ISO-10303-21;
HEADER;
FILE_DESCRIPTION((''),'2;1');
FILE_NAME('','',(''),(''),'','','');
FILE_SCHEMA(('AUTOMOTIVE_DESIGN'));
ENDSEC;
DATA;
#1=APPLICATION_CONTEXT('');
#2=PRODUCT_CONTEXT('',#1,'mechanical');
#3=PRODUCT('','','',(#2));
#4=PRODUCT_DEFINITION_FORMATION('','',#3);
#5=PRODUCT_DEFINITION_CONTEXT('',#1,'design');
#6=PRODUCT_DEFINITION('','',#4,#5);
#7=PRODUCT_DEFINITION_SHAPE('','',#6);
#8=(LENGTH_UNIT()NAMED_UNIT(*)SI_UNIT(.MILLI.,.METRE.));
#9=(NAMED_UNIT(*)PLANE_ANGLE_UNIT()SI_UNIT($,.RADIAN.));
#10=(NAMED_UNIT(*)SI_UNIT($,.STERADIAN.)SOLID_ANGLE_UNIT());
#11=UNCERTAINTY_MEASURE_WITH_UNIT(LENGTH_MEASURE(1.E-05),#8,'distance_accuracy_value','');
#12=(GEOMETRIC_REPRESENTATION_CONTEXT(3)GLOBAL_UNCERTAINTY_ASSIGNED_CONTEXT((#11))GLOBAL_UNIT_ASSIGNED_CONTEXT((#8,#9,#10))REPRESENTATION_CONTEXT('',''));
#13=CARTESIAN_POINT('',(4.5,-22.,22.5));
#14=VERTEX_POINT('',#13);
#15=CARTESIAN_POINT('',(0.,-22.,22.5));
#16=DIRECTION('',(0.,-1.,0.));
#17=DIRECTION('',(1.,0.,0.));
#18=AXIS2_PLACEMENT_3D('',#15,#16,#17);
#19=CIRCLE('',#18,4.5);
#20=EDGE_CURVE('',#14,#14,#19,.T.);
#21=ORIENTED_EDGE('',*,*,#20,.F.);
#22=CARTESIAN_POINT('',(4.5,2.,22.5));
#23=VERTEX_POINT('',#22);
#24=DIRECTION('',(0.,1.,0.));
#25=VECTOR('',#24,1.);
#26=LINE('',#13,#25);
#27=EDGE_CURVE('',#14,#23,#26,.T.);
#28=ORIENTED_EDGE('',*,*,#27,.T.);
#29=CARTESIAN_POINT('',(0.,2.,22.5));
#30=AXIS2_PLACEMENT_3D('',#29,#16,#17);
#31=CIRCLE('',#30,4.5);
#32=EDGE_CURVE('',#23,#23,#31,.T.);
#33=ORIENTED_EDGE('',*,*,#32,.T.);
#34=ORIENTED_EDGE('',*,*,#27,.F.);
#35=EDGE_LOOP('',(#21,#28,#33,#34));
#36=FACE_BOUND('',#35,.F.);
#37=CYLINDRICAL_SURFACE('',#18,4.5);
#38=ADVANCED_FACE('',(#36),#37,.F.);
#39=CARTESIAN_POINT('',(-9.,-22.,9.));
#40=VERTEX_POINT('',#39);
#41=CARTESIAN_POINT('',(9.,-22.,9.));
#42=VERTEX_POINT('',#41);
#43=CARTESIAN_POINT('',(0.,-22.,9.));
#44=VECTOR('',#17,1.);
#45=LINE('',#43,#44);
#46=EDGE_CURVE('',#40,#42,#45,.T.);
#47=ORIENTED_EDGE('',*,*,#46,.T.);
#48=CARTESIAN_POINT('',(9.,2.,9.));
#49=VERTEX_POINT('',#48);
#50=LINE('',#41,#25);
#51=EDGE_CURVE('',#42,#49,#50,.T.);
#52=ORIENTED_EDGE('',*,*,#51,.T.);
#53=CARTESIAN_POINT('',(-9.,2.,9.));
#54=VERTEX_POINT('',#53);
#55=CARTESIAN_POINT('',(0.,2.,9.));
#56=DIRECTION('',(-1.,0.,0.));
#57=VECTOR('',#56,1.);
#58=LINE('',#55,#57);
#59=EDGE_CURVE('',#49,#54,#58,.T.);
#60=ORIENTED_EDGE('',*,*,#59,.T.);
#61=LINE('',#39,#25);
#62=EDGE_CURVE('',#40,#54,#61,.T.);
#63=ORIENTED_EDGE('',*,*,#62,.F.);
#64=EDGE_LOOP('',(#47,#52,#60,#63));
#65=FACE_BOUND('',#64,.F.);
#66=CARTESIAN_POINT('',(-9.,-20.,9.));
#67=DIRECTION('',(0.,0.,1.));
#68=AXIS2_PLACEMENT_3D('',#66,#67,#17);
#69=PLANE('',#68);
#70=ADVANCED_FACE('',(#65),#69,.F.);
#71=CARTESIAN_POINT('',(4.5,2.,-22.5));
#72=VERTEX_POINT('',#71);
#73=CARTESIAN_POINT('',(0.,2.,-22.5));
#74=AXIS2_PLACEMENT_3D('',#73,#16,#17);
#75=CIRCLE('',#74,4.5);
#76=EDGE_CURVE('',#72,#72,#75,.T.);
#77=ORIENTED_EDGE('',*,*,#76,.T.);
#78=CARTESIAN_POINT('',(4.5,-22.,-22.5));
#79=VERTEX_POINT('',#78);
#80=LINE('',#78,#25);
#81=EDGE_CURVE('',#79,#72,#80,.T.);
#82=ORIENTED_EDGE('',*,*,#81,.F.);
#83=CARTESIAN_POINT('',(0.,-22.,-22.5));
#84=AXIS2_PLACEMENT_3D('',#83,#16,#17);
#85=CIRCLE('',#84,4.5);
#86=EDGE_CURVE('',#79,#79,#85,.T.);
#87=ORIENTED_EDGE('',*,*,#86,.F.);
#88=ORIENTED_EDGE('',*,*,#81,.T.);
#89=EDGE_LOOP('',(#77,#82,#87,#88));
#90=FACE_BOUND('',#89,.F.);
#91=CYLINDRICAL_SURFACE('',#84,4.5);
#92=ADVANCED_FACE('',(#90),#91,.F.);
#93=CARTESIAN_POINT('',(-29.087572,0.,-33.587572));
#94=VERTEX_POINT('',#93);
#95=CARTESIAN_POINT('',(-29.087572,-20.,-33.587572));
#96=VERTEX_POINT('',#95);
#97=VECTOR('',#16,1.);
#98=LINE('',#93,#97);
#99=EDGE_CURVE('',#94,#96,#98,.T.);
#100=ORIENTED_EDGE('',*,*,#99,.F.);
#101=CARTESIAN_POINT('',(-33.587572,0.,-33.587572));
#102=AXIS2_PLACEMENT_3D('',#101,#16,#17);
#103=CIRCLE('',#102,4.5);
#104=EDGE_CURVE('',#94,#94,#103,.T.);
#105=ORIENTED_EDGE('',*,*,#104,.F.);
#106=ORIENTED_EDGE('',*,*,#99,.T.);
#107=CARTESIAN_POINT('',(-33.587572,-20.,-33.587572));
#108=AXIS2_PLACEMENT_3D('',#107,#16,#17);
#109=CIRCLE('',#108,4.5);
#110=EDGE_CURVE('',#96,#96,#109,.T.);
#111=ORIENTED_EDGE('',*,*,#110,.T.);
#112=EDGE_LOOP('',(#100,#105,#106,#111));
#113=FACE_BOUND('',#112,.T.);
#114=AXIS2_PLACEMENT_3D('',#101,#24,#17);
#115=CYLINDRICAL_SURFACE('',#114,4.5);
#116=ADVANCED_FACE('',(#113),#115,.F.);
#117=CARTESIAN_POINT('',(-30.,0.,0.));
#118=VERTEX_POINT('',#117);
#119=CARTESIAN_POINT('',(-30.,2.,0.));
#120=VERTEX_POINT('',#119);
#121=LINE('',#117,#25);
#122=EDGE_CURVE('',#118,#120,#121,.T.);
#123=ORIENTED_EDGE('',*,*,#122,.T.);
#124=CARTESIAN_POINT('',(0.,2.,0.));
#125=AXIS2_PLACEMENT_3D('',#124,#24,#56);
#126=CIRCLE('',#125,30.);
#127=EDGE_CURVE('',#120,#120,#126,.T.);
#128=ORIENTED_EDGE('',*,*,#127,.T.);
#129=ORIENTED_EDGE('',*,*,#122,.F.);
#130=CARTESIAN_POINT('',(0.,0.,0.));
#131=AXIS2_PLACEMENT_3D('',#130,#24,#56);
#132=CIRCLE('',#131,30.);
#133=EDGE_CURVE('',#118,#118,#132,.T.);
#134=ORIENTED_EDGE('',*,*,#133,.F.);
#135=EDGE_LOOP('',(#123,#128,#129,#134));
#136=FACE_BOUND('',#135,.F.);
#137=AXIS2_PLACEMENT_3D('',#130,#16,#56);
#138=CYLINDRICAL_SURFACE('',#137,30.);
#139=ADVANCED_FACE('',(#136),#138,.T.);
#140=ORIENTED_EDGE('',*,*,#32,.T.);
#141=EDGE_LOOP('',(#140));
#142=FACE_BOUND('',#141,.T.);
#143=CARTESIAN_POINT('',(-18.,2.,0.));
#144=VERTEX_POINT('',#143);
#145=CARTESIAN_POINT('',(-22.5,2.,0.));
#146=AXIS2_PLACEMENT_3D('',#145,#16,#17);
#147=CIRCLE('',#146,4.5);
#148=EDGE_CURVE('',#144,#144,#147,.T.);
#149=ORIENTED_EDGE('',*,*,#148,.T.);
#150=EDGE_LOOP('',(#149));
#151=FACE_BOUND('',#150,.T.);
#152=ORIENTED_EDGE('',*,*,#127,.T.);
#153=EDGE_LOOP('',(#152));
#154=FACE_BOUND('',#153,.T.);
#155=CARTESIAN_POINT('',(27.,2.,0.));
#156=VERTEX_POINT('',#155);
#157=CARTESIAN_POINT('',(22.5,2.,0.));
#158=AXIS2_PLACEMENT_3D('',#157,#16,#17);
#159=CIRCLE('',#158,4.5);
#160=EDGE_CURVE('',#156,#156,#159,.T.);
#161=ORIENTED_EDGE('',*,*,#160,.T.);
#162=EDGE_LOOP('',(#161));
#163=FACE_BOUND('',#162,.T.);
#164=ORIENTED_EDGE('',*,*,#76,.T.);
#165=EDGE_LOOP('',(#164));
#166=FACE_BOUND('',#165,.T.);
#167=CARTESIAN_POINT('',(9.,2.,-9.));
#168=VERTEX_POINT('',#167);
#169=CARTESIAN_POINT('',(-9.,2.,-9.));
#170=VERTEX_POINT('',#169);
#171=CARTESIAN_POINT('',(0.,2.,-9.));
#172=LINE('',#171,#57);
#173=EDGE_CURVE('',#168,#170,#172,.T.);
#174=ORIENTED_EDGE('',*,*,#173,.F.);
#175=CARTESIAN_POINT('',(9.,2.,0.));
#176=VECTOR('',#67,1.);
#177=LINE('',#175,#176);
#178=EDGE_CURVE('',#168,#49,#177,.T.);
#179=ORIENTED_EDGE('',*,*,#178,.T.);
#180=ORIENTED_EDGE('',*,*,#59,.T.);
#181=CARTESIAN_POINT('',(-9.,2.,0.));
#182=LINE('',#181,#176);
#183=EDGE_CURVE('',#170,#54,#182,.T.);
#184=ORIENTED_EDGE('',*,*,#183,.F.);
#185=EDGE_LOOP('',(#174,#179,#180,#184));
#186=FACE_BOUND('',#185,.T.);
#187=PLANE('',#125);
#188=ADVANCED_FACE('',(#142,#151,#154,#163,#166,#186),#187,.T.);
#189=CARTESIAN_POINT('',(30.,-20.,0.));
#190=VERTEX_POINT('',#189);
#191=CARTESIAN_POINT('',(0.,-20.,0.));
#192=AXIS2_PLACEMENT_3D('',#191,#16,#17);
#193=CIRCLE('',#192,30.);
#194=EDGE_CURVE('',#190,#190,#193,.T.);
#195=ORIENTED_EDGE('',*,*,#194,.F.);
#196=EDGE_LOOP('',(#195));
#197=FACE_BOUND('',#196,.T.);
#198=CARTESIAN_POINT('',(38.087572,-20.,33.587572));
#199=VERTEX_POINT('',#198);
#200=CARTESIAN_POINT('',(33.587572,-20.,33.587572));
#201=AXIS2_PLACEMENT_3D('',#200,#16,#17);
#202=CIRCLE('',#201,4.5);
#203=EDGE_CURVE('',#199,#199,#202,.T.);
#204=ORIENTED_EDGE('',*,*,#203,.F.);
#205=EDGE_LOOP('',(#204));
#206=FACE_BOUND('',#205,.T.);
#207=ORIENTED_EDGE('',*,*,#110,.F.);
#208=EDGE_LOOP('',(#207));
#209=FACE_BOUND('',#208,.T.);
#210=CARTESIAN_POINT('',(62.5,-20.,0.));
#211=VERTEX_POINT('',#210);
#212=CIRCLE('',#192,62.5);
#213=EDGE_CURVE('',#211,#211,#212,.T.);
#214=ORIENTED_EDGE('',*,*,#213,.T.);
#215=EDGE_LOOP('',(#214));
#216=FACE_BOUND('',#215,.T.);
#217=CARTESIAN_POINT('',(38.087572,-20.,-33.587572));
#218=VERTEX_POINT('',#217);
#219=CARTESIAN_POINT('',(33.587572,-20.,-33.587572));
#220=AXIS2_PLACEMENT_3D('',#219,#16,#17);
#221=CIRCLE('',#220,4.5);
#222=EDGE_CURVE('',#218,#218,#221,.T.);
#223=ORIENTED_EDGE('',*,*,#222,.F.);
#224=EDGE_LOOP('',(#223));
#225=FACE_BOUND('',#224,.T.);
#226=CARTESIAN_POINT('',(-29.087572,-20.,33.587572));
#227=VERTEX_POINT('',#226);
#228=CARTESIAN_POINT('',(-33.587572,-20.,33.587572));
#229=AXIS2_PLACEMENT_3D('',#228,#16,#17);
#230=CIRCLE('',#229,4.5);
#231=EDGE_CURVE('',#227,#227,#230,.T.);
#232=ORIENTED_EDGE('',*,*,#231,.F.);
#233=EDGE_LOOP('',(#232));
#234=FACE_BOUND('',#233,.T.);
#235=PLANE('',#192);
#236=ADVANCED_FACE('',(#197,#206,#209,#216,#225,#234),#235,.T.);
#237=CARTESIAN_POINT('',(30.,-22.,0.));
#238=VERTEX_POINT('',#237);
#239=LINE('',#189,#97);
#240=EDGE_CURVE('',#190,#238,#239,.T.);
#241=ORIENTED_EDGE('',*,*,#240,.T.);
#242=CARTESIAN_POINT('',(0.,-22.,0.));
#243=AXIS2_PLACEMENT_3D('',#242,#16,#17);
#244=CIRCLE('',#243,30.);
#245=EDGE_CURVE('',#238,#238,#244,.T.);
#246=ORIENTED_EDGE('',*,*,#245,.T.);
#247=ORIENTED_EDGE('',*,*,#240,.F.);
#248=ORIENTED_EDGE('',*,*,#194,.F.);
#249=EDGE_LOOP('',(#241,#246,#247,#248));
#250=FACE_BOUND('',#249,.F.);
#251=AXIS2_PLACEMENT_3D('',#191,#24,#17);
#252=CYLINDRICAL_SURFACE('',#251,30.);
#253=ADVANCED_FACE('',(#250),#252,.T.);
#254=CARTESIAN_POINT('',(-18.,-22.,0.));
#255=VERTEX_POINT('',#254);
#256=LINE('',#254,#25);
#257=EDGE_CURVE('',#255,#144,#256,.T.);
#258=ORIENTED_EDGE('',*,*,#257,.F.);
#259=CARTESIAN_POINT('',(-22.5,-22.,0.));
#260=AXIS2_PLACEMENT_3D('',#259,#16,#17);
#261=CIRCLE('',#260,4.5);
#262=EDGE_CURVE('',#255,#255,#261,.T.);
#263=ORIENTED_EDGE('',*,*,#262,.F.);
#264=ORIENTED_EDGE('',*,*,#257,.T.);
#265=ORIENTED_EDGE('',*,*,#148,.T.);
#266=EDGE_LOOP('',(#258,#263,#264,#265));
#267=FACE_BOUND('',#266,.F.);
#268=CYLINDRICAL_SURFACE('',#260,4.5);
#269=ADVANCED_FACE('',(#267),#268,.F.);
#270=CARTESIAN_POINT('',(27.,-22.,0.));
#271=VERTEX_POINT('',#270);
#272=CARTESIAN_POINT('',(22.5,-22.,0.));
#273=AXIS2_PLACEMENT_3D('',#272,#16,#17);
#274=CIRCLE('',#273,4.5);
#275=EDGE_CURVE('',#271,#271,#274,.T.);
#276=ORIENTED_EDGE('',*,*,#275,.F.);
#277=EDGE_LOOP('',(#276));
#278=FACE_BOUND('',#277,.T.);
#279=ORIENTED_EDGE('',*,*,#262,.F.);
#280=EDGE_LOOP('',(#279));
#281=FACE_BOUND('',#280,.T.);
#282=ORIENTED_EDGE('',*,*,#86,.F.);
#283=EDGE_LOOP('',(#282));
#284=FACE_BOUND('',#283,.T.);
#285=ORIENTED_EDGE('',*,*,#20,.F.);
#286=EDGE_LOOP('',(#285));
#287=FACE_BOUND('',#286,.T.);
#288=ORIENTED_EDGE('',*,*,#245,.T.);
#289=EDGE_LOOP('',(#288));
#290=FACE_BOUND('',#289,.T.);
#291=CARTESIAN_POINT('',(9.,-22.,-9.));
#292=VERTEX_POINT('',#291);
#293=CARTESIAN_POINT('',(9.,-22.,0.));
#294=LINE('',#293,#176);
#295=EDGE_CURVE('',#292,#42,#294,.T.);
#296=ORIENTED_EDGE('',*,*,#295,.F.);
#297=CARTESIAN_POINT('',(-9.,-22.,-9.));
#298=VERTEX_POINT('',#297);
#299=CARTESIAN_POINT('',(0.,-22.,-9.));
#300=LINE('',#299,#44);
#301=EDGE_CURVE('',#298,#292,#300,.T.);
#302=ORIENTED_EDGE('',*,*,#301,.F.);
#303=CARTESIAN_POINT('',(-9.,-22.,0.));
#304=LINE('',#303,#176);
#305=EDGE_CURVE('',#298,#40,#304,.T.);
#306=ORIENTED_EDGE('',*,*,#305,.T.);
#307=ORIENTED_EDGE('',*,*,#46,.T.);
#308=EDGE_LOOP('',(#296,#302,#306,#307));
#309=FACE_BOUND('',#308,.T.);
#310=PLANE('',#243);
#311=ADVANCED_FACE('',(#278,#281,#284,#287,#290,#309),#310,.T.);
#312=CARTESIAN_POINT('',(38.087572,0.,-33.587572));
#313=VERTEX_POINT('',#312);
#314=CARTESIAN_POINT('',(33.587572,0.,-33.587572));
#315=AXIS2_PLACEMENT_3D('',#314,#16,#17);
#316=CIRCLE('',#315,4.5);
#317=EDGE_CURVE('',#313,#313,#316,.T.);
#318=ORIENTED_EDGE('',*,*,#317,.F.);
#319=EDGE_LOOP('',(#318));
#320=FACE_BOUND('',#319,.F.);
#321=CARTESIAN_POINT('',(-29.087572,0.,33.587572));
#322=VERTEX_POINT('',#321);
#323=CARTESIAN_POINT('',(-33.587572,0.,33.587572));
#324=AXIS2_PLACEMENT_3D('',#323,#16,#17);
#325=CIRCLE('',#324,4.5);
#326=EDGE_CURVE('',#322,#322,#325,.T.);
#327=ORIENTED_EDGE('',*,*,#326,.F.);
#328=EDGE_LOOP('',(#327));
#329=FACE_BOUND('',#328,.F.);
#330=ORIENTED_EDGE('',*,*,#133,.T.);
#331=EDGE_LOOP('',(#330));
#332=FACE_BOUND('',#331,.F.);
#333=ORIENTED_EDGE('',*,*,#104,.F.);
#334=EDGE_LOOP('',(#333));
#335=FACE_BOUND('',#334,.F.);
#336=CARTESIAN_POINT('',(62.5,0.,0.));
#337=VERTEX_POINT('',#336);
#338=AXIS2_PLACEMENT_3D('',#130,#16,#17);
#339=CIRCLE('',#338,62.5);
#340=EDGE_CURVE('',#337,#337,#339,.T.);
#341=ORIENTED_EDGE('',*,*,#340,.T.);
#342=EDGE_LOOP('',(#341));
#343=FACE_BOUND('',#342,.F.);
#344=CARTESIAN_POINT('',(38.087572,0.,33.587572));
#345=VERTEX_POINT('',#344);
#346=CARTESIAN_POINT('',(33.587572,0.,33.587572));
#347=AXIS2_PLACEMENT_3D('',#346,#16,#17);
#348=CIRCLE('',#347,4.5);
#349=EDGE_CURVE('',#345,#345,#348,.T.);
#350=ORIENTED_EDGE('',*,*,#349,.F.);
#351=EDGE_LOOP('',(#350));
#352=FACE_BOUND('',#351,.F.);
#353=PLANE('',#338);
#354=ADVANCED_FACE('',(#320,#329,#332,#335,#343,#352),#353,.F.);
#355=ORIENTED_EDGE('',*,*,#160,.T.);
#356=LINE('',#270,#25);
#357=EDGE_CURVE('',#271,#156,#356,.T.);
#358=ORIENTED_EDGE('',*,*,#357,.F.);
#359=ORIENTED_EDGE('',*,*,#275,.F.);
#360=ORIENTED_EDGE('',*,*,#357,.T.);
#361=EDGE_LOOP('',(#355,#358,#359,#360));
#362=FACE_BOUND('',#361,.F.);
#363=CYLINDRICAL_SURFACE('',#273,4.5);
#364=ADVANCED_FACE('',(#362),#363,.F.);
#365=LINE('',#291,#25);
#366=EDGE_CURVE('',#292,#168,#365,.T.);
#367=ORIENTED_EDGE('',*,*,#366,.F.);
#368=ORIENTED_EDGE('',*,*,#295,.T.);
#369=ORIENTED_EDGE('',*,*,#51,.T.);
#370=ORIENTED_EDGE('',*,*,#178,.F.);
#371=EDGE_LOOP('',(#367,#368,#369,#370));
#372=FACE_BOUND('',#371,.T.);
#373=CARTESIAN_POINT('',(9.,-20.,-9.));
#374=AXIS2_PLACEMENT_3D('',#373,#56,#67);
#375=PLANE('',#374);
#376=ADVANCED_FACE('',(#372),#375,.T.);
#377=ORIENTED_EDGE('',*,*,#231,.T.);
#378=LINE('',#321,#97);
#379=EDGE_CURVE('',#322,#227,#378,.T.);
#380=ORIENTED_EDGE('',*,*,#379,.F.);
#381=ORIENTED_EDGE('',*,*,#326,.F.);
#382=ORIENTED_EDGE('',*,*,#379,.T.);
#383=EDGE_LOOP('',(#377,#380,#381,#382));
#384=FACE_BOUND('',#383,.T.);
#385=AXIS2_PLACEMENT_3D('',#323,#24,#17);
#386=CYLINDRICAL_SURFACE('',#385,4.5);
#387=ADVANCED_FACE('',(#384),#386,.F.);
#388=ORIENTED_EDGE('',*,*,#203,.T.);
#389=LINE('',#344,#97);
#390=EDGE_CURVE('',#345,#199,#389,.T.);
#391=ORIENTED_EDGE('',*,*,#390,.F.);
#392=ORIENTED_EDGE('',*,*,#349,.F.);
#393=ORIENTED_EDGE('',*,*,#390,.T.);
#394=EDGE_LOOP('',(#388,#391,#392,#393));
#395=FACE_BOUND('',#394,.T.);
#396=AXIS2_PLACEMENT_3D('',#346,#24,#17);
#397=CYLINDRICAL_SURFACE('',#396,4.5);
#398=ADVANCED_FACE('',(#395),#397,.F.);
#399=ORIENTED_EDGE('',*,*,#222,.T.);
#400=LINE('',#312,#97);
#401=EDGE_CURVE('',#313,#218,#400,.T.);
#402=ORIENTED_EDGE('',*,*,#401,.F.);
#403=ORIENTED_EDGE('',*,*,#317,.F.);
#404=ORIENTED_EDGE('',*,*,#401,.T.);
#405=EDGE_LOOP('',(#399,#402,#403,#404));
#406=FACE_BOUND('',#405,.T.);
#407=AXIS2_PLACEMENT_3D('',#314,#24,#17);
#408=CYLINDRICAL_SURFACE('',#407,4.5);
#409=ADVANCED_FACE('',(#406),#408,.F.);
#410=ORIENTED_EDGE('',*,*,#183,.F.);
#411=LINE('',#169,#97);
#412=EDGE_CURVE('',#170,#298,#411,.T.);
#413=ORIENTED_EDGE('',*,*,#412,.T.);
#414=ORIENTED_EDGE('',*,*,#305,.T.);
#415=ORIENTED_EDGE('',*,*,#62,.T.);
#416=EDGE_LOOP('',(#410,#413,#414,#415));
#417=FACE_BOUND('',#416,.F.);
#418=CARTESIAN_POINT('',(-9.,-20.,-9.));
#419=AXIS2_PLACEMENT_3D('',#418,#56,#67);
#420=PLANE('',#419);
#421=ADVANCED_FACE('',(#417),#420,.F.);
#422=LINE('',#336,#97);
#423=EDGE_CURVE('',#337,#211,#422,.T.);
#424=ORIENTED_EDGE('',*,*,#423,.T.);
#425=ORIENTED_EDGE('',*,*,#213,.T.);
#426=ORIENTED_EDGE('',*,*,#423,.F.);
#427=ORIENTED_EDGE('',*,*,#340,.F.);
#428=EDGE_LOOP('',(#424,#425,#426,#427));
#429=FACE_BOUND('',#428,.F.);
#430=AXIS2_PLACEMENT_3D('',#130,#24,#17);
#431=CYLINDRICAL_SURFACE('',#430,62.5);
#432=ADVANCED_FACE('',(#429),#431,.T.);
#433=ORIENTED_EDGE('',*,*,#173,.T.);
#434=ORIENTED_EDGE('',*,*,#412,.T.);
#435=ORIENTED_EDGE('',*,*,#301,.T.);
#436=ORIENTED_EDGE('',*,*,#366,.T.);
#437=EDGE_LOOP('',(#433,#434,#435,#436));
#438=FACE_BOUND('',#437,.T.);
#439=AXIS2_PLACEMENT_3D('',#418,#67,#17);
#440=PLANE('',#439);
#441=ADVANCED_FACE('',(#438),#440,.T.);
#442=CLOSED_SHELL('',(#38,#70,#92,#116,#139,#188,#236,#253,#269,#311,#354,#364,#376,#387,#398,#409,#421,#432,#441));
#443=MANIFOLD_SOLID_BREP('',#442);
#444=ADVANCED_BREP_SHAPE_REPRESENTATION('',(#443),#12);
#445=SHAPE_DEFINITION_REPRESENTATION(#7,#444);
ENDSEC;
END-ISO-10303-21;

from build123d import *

# Parameters (mm, degrees)
F0_R     = 62.5
F0_R_2   = 4.5
F0_W     = 18
F0_H     = 18
F1_DEPTH = 20
F2_R     = 30
F2_W     = 18
F2_H     = 18
F3_DEPTH = 2
F4_R     = 30
F4_W     = 18
F4_H     = 18
F5_DEPTH = 2
F6_R     = 4.5
F7_DEPTH = 30


with BuildPart() as f1:
    # F0 (on Front) → F1 (new body)
    with BuildSketch(Plane.XZ):
        Circle(F0_R)
        with Locations((-33.587572, -33.587572)):
            Circle(F0_R_2, mode=Mode.SUBTRACT)
        with Locations((33.587572, -33.587572)):
            Circle(F0_R_2, mode=Mode.SUBTRACT)
        with Locations((-33.587572, 33.587572)):
            Circle(F0_R_2, mode=Mode.SUBTRACT)
        Rectangle(F0_W, F0_H, mode=Mode.SUBTRACT)
        with Locations((33.587572, 33.587572)):
            Circle(F0_R_2, mode=Mode.SUBTRACT)
    extrude(amount=F1_DEPTH)

    # F2 (on face) → F3 (join)
    with BuildSketch(Plane(origin=(0, 0, 0), x_dir=(-1, 0, 0), z_dir=(0, 1, 0))):
        Circle(F2_R)
        Rectangle(F2_W, F2_H, mode=Mode.SUBTRACT)
    extrude(amount=F3_DEPTH)

    # F4 (on face) → F5 (join)
    with BuildSketch(Plane.XZ.offset(20)):
        Circle(F4_R)
        Rectangle(F4_W, F4_H, mode=Mode.SUBTRACT)
    extrude(amount=F5_DEPTH)

    # F6 (on face) → F7 (cut)
    with BuildSketch(Plane.XZ.offset(22)):
        with Locations((0, 22.5)):
            Circle(F6_R)
        with Locations((22.5, 0)):
            Circle(F6_R)
        with Locations((0, -22.5)):
            Circle(F6_R)
        with Locations((-22.5, 0)):
            Circle(F6_R)
    extrude(amount=-F7_DEPTH, mode=Mode.SUBTRACT)


solid = f1.part
